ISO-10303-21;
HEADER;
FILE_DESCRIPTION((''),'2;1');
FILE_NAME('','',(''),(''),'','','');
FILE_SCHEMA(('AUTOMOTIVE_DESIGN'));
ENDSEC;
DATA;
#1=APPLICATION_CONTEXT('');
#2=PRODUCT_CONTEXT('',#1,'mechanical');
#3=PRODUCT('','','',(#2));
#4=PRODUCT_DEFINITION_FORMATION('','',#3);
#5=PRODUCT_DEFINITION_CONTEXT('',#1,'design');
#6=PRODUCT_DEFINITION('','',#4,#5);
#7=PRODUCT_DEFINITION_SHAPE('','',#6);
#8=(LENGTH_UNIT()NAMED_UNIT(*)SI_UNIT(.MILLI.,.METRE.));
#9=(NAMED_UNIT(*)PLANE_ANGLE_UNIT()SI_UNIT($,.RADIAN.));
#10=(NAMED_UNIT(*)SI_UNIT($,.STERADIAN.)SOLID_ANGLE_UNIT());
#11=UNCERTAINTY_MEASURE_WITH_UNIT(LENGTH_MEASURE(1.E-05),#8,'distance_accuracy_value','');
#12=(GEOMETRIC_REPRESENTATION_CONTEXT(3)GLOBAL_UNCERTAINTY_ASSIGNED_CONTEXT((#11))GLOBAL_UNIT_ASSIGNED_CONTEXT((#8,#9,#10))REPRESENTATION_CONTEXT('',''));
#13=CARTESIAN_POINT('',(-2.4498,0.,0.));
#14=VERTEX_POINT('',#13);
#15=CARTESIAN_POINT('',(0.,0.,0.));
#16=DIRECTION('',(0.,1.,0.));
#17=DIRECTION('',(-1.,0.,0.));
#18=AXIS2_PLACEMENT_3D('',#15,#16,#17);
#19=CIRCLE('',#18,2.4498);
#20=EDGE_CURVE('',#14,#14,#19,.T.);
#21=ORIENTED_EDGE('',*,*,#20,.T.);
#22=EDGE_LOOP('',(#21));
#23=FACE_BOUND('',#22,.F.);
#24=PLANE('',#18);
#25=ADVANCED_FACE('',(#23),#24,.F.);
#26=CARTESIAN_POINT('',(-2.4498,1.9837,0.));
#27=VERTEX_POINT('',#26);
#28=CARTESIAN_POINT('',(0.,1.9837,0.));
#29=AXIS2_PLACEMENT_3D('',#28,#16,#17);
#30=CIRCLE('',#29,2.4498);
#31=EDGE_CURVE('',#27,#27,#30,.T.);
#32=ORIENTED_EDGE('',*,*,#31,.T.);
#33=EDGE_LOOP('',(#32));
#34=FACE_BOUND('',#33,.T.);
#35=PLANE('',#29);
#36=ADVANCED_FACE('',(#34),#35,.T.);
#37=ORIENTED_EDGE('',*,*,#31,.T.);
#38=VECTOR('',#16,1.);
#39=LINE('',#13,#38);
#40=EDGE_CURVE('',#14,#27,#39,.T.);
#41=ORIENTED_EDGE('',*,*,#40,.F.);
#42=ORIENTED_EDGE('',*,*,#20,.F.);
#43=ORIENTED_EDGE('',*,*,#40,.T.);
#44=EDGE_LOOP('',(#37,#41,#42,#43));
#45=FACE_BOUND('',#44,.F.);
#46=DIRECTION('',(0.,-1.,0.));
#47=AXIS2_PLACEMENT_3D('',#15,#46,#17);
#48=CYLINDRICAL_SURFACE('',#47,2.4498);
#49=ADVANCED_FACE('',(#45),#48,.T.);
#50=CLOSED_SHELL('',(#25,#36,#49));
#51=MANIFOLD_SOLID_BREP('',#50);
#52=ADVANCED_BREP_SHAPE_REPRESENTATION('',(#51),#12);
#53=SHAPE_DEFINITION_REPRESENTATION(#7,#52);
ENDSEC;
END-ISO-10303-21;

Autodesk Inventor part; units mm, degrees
ref_plane "YZ Plane" through (0, 0, 0) normal (1, 0, 0) x (0, 1, 0)
ref_plane "XZ Plane" through (0, 0, 0) normal (0, 1, 0) x (-1, 0, 0)
ref_plane "XY Plane" through (0, 0, 0) normal (0, 0, 1) x (1, 0, 0)
sketch "Sketch1" plane through (0, 0, 0) normal (0, 1, 0) x (-1, 0, 0)
  circle A0 centre (0, 0) radius 2.4498
  dimension "d0" = 4.8997
extrude "Extrusion1" add sketch "Sketch1" along normal blind 1.9837
properties part number "Sample Peg" material "ABS Plastic"
